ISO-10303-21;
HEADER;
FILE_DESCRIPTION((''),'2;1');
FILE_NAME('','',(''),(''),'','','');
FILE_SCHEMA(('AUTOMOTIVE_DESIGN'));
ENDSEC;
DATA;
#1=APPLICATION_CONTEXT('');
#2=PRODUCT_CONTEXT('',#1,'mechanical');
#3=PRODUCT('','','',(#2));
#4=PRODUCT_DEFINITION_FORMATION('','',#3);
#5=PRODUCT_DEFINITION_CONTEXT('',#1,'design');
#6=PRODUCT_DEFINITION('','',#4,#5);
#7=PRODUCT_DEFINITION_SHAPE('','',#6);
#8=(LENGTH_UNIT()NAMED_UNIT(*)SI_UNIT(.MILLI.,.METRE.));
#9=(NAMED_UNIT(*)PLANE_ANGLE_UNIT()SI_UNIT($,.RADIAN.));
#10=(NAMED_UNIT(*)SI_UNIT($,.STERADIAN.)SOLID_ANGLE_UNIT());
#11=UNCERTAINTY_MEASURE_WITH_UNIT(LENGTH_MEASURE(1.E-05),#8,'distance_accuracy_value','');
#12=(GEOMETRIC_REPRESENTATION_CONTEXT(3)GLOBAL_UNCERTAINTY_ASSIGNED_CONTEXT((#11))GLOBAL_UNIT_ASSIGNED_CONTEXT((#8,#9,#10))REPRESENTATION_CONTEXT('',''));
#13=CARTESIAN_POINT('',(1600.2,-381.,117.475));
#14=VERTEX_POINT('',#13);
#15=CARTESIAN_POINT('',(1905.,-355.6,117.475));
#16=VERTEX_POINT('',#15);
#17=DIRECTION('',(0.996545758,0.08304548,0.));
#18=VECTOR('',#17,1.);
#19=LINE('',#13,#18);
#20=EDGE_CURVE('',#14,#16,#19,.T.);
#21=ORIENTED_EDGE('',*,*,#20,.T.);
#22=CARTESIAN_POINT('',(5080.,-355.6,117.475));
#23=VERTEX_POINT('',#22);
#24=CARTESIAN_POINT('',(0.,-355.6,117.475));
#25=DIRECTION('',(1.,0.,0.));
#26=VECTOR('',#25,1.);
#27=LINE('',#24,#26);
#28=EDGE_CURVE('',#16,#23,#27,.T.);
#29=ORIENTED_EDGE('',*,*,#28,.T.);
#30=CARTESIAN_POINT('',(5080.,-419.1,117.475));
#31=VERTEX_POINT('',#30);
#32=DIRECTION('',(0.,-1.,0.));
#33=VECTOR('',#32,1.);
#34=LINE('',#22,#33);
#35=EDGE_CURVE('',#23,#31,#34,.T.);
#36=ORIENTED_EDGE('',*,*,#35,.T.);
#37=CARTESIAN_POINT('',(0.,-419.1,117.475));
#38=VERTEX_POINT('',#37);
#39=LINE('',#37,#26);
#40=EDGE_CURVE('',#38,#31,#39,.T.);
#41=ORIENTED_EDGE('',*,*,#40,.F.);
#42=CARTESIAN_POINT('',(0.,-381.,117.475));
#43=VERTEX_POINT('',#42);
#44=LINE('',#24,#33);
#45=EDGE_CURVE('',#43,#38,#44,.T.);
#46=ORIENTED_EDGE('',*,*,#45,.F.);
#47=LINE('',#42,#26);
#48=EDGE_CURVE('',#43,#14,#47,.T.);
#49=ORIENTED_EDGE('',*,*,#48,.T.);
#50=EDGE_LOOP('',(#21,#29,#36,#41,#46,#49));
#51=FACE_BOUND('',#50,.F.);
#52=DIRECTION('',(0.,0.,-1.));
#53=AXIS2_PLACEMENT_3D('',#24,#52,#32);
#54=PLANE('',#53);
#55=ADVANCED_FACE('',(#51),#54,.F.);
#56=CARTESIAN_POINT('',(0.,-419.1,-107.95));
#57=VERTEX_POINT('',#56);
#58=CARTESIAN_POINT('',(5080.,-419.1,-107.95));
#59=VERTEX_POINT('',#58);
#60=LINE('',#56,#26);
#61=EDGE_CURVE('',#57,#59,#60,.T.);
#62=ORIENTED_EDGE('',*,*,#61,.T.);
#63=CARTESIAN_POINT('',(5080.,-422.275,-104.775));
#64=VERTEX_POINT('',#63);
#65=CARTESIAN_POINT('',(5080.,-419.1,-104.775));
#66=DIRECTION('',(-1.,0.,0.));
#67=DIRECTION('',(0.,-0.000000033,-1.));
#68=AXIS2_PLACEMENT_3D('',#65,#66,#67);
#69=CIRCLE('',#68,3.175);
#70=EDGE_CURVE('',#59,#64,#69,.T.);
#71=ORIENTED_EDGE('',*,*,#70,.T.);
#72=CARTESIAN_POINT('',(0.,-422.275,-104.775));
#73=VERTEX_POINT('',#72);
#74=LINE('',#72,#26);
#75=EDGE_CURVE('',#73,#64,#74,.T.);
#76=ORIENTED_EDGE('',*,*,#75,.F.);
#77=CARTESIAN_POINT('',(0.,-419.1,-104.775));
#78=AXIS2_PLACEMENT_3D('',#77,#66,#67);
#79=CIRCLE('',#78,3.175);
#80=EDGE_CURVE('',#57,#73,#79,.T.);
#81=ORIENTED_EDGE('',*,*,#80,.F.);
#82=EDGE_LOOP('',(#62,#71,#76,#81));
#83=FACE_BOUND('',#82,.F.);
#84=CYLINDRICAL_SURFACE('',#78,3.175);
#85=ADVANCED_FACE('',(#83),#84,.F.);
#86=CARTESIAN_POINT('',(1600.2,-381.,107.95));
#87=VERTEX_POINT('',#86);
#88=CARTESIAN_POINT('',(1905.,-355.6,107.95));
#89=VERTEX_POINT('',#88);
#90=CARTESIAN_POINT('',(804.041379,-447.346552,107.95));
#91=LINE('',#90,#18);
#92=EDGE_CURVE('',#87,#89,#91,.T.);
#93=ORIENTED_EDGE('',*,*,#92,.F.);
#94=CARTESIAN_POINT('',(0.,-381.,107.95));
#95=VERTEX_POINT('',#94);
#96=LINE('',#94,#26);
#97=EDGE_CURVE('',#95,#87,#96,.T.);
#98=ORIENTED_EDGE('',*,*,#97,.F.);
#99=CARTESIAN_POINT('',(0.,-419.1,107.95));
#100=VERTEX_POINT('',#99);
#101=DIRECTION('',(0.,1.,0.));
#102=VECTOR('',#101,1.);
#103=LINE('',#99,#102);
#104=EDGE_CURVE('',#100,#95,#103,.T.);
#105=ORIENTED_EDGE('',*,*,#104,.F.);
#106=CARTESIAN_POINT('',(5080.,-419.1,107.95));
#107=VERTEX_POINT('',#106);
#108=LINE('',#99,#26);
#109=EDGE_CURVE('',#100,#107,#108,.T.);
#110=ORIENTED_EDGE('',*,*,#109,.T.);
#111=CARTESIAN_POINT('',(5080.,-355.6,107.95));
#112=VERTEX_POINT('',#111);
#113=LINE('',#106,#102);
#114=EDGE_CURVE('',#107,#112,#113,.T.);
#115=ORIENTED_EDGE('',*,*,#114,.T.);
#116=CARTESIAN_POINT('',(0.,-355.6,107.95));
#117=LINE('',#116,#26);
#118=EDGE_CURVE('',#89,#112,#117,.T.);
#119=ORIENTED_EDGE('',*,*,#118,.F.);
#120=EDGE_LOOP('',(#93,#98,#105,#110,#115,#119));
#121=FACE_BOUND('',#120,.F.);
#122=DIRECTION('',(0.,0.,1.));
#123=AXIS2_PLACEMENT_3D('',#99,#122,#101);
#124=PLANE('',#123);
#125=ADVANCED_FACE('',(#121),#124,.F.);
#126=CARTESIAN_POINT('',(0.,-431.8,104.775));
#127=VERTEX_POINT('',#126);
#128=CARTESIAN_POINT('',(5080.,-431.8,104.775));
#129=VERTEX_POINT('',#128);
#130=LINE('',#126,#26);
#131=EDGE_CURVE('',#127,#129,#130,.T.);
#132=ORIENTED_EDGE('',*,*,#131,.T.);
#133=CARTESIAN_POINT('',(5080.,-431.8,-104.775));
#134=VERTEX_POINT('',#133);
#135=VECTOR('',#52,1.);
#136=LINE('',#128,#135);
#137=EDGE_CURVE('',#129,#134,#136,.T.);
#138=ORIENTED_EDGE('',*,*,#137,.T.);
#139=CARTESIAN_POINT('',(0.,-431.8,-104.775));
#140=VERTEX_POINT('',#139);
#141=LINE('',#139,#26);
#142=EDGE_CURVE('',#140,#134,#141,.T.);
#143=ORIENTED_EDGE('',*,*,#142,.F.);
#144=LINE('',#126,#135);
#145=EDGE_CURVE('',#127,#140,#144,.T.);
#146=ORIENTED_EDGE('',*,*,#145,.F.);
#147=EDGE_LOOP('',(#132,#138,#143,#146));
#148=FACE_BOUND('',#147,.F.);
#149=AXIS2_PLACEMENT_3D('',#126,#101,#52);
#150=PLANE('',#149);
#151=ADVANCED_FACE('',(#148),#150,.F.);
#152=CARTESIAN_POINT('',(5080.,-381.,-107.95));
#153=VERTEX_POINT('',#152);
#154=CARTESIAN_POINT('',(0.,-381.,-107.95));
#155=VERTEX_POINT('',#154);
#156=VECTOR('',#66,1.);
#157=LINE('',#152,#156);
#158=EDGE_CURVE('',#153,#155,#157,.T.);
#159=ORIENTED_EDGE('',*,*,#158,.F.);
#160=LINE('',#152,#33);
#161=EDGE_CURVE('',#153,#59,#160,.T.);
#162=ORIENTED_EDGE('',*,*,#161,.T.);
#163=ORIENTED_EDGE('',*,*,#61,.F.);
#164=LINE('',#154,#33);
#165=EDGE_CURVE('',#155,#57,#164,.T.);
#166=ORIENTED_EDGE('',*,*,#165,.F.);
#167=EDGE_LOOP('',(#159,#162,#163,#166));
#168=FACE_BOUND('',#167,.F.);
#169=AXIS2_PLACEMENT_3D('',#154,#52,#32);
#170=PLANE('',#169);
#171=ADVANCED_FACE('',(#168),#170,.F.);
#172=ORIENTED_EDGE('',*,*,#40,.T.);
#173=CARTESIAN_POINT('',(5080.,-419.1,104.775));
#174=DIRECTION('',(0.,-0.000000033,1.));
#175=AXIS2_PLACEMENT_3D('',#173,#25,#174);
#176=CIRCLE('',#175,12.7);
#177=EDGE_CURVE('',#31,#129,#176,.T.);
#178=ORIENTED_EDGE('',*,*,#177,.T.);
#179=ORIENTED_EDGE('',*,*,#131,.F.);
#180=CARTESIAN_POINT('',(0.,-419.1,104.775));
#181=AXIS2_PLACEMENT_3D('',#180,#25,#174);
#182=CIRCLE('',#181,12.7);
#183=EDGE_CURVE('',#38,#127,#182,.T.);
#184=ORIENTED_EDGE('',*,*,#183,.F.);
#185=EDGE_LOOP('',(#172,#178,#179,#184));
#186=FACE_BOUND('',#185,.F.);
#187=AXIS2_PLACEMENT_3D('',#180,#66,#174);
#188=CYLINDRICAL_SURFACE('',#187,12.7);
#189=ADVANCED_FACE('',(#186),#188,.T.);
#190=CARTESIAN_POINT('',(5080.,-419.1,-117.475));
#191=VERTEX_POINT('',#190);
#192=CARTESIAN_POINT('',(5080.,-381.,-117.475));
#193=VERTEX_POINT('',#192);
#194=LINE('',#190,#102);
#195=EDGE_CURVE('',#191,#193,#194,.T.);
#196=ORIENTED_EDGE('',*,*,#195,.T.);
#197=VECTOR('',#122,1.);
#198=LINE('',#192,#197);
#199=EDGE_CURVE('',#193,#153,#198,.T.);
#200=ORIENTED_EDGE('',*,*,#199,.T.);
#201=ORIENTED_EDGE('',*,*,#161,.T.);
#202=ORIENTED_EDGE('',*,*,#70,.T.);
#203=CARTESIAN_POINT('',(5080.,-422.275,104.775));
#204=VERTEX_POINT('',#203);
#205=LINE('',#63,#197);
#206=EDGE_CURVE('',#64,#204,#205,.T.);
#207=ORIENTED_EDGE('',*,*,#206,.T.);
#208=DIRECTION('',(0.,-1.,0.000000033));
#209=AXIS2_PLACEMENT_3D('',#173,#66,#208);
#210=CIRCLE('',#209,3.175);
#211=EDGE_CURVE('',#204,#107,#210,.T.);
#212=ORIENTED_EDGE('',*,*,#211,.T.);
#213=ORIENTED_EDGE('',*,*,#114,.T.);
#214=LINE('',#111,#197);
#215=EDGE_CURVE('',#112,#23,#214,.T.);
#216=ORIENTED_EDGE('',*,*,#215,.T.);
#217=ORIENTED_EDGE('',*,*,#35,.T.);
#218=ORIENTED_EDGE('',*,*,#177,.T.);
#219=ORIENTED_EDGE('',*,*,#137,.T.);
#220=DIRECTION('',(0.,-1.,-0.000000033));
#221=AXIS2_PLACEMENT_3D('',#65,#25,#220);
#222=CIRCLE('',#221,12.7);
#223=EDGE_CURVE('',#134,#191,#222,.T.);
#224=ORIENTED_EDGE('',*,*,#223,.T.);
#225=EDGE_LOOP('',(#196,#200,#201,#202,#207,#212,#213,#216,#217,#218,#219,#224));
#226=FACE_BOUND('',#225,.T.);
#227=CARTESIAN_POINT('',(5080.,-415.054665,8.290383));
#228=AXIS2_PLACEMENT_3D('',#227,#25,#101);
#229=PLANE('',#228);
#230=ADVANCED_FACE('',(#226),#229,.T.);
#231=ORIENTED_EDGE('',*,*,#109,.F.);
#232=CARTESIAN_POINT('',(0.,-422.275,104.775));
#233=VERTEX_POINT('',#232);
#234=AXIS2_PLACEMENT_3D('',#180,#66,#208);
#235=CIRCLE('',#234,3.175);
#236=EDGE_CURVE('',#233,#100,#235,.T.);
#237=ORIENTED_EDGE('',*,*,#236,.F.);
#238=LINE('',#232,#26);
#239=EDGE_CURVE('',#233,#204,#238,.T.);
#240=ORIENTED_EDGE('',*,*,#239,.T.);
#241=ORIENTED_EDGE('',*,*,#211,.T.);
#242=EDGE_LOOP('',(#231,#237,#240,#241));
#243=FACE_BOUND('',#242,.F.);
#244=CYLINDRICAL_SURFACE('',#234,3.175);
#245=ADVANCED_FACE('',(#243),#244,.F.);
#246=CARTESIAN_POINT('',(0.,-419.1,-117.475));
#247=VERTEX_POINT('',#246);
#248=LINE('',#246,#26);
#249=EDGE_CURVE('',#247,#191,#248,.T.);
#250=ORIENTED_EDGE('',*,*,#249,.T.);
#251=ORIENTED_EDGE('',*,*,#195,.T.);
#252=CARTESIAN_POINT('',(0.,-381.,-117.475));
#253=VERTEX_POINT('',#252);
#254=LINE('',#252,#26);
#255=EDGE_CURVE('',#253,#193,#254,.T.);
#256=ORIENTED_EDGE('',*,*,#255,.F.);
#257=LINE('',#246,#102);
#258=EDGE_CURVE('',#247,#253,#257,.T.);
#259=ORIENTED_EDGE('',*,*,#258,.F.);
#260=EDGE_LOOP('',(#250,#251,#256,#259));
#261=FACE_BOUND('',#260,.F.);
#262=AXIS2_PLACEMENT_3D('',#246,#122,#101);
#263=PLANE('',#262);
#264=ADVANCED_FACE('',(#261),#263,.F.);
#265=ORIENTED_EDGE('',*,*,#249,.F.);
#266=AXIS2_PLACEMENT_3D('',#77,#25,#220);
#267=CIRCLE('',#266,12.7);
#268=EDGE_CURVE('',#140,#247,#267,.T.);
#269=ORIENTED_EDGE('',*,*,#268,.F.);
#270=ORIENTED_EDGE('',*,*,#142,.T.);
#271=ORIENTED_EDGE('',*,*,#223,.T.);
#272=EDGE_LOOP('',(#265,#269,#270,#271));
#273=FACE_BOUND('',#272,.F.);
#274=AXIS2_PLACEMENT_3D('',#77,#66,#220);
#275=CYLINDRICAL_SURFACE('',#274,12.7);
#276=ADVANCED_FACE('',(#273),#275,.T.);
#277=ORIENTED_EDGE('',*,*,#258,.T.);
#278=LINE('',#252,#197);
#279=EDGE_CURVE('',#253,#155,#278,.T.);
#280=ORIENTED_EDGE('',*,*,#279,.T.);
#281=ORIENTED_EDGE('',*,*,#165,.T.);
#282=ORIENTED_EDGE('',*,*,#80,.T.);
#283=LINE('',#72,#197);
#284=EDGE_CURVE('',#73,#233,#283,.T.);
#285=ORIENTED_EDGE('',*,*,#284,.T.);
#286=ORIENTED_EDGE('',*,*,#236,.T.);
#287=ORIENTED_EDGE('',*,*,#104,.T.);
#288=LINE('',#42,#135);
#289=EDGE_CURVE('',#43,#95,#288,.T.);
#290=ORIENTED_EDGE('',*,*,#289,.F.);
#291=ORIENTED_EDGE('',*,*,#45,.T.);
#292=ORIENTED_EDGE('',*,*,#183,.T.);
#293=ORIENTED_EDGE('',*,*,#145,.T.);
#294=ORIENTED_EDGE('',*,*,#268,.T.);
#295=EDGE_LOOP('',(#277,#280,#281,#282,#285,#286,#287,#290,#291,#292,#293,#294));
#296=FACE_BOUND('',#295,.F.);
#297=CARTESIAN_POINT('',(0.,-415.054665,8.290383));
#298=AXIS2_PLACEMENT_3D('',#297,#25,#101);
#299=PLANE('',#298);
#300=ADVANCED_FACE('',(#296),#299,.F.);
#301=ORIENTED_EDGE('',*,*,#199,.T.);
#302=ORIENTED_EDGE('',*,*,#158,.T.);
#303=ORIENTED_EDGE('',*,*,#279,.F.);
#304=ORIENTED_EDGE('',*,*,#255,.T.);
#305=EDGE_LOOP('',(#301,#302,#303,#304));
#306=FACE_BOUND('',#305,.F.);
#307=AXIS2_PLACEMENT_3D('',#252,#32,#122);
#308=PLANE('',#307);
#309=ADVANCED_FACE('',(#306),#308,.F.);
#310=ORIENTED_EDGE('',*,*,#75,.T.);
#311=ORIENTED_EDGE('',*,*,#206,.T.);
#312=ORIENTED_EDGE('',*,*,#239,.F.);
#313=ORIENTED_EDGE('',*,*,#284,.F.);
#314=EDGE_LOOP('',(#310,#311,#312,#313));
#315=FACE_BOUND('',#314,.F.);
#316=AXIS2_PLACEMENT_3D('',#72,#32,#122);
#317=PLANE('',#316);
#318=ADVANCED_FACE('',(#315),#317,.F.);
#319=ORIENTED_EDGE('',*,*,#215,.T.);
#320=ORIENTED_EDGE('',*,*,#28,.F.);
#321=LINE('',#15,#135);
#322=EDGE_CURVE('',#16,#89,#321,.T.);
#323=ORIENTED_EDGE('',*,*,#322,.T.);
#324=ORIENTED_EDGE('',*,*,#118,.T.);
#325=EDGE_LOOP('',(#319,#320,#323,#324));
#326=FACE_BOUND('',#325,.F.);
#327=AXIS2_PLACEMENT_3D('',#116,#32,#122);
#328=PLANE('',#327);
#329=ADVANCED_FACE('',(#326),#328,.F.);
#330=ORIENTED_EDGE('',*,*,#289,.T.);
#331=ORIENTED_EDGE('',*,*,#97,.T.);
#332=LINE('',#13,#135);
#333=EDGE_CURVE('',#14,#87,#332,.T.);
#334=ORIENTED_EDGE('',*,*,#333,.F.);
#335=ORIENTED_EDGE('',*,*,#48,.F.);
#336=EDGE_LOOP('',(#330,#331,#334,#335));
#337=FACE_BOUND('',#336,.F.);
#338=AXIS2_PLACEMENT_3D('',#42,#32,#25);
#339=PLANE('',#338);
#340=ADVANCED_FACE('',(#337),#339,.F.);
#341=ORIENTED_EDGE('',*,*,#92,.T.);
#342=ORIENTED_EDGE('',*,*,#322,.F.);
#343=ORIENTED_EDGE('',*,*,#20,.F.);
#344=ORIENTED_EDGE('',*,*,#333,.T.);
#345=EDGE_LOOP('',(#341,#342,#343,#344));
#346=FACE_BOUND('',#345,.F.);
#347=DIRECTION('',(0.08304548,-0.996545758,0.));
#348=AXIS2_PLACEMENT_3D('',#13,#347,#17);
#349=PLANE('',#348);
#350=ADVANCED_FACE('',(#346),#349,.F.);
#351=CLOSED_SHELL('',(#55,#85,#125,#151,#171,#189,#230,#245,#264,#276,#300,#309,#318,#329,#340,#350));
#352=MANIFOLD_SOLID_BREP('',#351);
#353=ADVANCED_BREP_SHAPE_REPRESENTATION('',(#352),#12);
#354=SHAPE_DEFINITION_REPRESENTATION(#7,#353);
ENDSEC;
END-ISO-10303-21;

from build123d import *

# Parameters (mm, degrees)
F1_DEPTH = 5080
F3_DEPTH = 234.951


with BuildPart() as f1:
    # F0 (on Right) → F1 (new body)
    with BuildSketch(Plane.YZ):
        with BuildLine():
            Line((-431.8, 104.775), (-431.8, 0))
            Line((-431.8, 0), (-431.8, -104.775))
            ThreePointArc((-431.8, -104.775), (-428.080256, -113.755256), (-419.1, -117.475))
            Line((-419.1, -117.475), (-381, -117.475))
            Line((-381, -117.475), (-381, -107.95))
            Line((-381, -107.95), (-419.1, -107.95))
            ThreePointArc((-419.1, -107.95), (-421.345064, -107.020064), (-422.275, -104.775))
            Line((-422.275, -104.775), (-422.275, 0))
            Line((-422.275, 0), (-422.275, 104.775))
            ThreePointArc((-422.275, 104.775), (-421.345064, 107.020064), (-419.1, 107.95))
            Line((-419.1, 107.95), (-355.6, 107.95))
            Line((-355.6, 107.95), (-355.6, 117.475))
            Line((-355.6, 117.475), (-419.1, 117.475))
            ThreePointArc((-419.1, 117.475), (-428.080256, 113.755256), (-431.8, 104.775))
        make_face()
    extrude(amount=F1_DEPTH)

    # F2 (on face) → F3 (cut, through all)
    with BuildSketch(Plane.XY.offset(117.475)):
        Polygon((1600.2, -381), (1905, -355.6), (0, -355.6), (0, -381), align=None)
    extrude(amount=-F3_DEPTH, mode=Mode.SUBTRACT)


solid = f1.part
